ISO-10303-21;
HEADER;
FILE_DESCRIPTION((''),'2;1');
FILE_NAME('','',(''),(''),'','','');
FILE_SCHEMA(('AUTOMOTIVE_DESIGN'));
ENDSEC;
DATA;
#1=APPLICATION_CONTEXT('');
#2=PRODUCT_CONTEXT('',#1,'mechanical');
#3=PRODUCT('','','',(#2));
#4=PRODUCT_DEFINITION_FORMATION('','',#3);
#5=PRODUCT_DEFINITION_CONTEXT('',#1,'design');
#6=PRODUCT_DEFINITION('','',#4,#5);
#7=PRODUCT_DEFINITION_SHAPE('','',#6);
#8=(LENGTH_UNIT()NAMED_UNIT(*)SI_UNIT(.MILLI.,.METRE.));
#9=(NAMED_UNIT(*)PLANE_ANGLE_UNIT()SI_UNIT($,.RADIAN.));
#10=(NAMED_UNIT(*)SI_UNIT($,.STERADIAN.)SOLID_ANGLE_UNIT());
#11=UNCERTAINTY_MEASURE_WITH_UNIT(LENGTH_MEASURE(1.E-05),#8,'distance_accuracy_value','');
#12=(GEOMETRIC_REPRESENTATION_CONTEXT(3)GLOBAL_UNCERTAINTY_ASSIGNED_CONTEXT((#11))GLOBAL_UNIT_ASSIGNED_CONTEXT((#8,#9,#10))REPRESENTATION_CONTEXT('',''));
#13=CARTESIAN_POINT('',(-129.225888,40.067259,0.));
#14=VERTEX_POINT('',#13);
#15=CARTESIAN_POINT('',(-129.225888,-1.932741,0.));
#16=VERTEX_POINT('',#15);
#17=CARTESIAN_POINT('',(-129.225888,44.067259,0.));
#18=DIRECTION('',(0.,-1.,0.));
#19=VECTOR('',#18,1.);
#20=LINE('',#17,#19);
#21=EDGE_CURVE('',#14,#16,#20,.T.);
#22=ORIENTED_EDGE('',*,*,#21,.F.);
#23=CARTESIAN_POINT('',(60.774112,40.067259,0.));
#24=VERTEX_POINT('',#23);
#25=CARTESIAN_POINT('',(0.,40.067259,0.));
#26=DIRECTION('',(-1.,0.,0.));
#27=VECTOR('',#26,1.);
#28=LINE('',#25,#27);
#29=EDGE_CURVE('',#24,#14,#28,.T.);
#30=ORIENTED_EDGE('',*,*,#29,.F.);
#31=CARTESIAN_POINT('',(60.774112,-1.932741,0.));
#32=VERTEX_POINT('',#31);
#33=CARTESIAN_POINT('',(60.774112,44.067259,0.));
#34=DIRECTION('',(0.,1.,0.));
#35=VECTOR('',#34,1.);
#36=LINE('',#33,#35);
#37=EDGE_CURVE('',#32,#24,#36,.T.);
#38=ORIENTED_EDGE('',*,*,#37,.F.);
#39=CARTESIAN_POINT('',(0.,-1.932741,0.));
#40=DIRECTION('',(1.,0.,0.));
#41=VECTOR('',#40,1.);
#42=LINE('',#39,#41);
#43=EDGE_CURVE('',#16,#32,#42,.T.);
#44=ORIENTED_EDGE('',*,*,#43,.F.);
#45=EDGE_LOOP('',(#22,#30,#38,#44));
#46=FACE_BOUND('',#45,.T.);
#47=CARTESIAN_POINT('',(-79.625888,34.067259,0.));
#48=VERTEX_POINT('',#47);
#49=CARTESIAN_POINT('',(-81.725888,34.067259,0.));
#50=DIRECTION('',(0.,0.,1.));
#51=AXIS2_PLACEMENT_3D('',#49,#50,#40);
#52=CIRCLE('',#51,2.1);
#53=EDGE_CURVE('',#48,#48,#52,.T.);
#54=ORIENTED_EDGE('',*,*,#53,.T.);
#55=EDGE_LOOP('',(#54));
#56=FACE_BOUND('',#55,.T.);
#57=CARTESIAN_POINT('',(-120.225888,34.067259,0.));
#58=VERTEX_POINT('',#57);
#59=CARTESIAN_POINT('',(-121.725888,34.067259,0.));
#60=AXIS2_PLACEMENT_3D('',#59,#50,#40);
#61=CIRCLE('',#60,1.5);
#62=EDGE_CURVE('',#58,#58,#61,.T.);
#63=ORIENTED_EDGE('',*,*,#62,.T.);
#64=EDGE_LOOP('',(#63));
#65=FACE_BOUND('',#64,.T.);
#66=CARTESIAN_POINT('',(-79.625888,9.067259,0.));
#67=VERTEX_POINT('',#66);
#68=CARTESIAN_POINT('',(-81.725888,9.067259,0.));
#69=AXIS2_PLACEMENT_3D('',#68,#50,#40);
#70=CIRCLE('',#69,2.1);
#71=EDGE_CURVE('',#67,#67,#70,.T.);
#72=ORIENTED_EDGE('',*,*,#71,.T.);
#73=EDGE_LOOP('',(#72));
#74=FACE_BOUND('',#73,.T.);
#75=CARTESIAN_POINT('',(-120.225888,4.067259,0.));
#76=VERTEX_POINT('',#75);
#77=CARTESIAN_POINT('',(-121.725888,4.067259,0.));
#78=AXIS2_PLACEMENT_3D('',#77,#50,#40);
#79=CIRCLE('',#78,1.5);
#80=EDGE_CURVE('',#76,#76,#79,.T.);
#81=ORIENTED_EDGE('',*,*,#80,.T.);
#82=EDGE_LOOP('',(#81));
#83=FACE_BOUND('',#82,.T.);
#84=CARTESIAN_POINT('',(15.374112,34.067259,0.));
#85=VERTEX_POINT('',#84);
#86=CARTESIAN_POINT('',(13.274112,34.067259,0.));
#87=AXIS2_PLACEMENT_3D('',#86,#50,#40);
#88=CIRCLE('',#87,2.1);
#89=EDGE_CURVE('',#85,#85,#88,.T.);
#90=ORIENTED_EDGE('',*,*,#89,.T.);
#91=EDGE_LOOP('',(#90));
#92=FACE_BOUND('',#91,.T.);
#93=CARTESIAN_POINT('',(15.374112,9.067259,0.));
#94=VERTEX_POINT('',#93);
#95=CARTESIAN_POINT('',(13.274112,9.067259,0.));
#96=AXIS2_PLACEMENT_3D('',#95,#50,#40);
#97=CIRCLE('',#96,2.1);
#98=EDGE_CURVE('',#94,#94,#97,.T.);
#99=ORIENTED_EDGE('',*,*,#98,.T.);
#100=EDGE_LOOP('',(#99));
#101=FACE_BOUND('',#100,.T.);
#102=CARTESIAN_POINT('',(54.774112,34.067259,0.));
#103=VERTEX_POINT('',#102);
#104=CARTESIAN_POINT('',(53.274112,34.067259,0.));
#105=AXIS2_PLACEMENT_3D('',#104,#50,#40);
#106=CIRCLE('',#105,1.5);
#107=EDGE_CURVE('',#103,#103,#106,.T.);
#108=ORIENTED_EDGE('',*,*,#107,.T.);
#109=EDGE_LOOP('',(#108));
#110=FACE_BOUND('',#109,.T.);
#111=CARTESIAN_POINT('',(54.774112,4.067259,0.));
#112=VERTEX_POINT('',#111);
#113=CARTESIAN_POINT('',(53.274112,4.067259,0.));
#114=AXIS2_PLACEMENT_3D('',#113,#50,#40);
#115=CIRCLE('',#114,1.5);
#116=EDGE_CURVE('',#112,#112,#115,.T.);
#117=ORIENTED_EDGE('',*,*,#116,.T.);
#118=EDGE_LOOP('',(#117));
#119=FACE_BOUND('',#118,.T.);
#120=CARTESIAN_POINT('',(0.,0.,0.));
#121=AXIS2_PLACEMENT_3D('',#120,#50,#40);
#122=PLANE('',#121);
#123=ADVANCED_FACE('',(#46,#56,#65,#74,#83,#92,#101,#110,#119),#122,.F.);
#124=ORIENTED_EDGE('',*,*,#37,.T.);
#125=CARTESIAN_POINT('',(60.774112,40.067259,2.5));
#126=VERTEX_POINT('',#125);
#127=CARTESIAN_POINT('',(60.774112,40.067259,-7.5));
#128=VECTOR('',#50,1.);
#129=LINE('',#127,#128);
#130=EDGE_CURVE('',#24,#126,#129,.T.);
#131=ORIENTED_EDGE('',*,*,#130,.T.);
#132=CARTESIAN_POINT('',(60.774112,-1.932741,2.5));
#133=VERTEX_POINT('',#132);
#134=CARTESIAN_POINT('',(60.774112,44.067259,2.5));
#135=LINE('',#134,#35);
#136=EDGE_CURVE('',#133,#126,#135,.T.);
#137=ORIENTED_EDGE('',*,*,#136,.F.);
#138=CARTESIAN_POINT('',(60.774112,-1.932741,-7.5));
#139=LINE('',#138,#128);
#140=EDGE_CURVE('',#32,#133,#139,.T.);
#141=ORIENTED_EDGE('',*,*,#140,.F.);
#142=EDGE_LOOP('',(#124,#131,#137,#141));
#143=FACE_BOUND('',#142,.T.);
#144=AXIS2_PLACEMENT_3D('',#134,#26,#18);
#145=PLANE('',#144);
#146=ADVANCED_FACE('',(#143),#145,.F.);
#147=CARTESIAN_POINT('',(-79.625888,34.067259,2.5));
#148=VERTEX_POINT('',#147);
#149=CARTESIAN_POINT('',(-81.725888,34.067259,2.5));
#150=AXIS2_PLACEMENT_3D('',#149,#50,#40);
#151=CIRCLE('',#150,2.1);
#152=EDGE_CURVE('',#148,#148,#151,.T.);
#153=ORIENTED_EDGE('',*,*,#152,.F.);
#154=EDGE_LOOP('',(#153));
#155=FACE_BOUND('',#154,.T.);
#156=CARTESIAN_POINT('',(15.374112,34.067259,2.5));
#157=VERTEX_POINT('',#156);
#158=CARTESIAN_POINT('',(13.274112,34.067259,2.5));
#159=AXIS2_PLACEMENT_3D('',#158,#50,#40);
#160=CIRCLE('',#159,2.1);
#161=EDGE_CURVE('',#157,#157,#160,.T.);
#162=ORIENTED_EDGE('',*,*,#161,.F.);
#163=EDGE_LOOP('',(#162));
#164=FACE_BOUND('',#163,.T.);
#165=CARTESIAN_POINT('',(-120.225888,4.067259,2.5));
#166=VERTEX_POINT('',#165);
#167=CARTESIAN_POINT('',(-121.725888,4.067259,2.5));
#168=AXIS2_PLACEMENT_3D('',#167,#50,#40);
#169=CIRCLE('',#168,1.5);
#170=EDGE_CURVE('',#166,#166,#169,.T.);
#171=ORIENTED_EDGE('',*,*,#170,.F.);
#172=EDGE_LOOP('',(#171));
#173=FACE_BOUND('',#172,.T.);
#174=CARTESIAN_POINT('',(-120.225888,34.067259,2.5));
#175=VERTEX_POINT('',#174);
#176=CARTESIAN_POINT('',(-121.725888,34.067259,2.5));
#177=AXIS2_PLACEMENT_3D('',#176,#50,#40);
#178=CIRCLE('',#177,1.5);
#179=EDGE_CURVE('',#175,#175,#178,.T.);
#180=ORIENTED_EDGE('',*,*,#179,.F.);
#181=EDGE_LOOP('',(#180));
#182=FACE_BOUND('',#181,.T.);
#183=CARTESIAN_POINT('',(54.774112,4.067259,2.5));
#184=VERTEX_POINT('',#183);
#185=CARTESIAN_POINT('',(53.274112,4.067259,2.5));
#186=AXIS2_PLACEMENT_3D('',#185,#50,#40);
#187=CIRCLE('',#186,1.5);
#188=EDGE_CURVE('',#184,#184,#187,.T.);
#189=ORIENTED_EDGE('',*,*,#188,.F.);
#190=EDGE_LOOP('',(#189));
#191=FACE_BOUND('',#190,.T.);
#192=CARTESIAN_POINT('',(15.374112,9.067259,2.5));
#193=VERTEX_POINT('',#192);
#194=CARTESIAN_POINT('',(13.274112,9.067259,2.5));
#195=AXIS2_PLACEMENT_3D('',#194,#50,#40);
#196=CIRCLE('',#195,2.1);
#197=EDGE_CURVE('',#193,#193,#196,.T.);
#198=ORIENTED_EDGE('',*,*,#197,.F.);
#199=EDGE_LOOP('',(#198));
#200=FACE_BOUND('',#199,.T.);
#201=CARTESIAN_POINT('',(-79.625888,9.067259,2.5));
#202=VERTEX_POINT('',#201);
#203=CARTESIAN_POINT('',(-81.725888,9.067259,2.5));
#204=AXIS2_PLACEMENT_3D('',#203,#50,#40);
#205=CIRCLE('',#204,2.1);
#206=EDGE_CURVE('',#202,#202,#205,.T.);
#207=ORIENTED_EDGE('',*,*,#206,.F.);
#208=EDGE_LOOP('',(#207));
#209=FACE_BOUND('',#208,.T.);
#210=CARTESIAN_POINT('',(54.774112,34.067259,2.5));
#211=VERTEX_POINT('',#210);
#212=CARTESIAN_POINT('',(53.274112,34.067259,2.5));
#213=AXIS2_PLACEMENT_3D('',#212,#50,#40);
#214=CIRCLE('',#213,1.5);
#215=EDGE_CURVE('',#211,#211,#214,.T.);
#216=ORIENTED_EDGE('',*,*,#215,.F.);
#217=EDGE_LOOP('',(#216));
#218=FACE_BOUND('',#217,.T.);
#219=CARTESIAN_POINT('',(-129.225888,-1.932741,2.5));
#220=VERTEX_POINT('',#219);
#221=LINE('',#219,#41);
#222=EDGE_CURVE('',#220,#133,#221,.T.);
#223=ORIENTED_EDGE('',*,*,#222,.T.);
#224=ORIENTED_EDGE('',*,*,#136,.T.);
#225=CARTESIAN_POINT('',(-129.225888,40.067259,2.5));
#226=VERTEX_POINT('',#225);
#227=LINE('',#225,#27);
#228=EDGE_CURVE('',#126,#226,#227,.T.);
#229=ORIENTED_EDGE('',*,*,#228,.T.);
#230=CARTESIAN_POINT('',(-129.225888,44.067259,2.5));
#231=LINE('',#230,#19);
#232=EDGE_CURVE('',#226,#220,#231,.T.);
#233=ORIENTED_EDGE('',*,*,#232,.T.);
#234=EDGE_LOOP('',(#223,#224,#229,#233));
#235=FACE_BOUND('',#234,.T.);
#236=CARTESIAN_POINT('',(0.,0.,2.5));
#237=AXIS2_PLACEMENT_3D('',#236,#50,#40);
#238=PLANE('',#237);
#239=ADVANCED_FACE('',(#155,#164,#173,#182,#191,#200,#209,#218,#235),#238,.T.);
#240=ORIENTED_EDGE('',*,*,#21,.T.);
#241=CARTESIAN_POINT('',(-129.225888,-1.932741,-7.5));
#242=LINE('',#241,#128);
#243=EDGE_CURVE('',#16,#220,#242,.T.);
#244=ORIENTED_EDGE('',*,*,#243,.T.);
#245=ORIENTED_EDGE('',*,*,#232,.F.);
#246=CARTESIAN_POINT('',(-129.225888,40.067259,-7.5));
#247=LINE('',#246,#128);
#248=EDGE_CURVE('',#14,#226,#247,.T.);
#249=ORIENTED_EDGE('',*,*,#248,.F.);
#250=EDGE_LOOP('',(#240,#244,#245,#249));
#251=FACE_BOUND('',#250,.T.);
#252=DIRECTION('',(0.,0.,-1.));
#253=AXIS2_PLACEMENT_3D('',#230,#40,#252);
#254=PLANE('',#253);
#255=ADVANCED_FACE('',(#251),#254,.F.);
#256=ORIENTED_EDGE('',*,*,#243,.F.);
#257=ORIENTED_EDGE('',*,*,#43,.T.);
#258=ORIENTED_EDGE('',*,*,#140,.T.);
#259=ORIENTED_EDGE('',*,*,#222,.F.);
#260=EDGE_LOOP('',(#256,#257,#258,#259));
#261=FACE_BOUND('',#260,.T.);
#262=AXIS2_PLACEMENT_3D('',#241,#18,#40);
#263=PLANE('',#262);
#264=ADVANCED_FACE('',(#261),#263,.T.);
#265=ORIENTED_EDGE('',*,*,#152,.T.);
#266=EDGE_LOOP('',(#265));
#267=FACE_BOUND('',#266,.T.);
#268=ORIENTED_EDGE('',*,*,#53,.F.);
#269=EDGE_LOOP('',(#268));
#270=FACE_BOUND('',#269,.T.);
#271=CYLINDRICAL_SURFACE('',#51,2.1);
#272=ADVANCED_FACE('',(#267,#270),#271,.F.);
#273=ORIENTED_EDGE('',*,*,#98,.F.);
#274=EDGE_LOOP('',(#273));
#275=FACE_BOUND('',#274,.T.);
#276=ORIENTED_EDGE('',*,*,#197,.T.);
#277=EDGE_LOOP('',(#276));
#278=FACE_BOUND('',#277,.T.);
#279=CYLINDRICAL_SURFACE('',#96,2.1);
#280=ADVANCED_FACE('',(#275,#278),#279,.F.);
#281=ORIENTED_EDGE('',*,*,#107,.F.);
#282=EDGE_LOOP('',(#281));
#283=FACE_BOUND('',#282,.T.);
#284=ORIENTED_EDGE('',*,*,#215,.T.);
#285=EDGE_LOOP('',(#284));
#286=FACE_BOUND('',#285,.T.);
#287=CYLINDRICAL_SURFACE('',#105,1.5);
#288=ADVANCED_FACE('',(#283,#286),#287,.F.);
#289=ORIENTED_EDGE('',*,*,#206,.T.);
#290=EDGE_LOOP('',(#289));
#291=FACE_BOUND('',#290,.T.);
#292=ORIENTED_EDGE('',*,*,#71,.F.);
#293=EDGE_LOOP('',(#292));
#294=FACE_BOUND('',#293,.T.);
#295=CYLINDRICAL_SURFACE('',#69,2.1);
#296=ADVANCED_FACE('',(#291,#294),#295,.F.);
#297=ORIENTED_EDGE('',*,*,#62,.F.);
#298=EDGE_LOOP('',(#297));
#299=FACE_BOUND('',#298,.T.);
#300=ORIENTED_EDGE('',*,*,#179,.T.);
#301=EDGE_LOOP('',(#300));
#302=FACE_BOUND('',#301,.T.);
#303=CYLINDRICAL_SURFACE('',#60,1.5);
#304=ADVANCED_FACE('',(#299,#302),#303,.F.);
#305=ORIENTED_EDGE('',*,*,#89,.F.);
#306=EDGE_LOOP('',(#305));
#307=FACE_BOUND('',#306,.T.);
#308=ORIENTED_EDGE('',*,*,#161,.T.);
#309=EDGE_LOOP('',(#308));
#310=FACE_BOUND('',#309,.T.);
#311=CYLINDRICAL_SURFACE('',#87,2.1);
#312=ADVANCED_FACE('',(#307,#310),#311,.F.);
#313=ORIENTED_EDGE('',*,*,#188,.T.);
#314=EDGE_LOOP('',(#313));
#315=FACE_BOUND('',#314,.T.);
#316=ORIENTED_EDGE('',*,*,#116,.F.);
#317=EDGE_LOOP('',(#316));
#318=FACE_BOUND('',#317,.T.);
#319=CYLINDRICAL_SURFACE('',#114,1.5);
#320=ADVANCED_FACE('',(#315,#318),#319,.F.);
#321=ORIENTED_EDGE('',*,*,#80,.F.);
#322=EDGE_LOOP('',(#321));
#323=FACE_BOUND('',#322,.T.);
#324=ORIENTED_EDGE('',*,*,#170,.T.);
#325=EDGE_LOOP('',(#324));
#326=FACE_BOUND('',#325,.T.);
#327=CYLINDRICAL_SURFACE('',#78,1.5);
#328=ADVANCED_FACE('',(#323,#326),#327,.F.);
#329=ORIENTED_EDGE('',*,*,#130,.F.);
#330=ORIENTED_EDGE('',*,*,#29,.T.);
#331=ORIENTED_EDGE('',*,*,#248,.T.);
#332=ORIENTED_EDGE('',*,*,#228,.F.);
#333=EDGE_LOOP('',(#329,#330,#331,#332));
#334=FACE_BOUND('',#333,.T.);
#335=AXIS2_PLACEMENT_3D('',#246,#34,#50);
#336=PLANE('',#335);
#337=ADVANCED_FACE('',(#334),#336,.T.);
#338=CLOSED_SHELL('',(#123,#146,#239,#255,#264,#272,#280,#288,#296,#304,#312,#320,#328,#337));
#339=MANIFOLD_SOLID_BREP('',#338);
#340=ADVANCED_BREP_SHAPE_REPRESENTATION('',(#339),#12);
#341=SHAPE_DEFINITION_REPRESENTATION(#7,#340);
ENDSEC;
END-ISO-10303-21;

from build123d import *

# Parameters (mm, degrees)
SKETCH1_W           = 190
SKETCH1_H           = 50
BOSS_EXTRUDE1_DEPTH = 2.5
SKETCH2_R           = 1.5
CUT_EXTRUDE1_DEPTH  = 3.5
SKETCH3_R           = 2.1
CUT_EXTRUDE2_DEPTH  = 3.5
SKETCH_2_W          = 199.955047508
SKETCH_2_H          = 60.796168266
SKETCH_2_W_2        = 190
SKETCH_2_H_2        = 42
CUT_EXTRUDE_1_DEPTH = 10


with BuildPart() as part:
    # Sketch1 → Boss-Extrude1 (new body)
    with BuildSketch(Plane.XY):
        with Locations((-34.225888325, 19.067258883)):
            Rectangle(SKETCH1_W, SKETCH1_H)
    extrude(amount=BOSS_EXTRUDE1_DEPTH)

    # Sketch2 → Cut-Extrude1 (cut, through all)
    with BuildSketch(Plane.XY.offset(2.5)):
        with Locations((-121.725888325, 34.067258883)):
            Circle(SKETCH2_R)
        with Locations((-121.725888325, 4.067258883)):
            Circle(SKETCH2_R)
        with Locations((53.274111675, 34.067258883)):
            Circle(SKETCH2_R)
        with Locations((53.274111675, 4.067258883)):
            Circle(SKETCH2_R)
    extrude(amount=-CUT_EXTRUDE1_DEPTH, mode=Mode.SUBTRACT)

    # Sketch3 → Cut-Extrude2 (cut, through all)
    with BuildSketch(Plane.XY.offset(2.5)):
        with Locations((-81.725888325, 34.067258883)):
            Circle(SKETCH3_R)
        with Locations((13.274111675, 34.067258883)):
            Circle(SKETCH3_R)
        with Locations((13.274111675, 9.067258883)):
            Circle(SKETCH3_R)
        with Locations((-81.725888325, 9.067258883)):
            Circle(SKETCH3_R)
    extrude(amount=-CUT_EXTRUDE2_DEPTH, mode=Mode.SUBTRACT)

    # 草图2 → 切除-拉伸1 (cut)
    with BuildSketch(Plane.XY.offset(2.5)):
        with Locations((-32.748481011, 19.803493347)):
            Rectangle(SKETCH_2_W, SKETCH_2_H)
        with Locations((-34.225888325, 19.067258883)):
            Rectangle(SKETCH_2_W_2, SKETCH_2_H_2, mode=Mode.SUBTRACT)
    extrude(amount=-CUT_EXTRUDE_1_DEPTH, mode=Mode.SUBTRACT)


solid = part.part
